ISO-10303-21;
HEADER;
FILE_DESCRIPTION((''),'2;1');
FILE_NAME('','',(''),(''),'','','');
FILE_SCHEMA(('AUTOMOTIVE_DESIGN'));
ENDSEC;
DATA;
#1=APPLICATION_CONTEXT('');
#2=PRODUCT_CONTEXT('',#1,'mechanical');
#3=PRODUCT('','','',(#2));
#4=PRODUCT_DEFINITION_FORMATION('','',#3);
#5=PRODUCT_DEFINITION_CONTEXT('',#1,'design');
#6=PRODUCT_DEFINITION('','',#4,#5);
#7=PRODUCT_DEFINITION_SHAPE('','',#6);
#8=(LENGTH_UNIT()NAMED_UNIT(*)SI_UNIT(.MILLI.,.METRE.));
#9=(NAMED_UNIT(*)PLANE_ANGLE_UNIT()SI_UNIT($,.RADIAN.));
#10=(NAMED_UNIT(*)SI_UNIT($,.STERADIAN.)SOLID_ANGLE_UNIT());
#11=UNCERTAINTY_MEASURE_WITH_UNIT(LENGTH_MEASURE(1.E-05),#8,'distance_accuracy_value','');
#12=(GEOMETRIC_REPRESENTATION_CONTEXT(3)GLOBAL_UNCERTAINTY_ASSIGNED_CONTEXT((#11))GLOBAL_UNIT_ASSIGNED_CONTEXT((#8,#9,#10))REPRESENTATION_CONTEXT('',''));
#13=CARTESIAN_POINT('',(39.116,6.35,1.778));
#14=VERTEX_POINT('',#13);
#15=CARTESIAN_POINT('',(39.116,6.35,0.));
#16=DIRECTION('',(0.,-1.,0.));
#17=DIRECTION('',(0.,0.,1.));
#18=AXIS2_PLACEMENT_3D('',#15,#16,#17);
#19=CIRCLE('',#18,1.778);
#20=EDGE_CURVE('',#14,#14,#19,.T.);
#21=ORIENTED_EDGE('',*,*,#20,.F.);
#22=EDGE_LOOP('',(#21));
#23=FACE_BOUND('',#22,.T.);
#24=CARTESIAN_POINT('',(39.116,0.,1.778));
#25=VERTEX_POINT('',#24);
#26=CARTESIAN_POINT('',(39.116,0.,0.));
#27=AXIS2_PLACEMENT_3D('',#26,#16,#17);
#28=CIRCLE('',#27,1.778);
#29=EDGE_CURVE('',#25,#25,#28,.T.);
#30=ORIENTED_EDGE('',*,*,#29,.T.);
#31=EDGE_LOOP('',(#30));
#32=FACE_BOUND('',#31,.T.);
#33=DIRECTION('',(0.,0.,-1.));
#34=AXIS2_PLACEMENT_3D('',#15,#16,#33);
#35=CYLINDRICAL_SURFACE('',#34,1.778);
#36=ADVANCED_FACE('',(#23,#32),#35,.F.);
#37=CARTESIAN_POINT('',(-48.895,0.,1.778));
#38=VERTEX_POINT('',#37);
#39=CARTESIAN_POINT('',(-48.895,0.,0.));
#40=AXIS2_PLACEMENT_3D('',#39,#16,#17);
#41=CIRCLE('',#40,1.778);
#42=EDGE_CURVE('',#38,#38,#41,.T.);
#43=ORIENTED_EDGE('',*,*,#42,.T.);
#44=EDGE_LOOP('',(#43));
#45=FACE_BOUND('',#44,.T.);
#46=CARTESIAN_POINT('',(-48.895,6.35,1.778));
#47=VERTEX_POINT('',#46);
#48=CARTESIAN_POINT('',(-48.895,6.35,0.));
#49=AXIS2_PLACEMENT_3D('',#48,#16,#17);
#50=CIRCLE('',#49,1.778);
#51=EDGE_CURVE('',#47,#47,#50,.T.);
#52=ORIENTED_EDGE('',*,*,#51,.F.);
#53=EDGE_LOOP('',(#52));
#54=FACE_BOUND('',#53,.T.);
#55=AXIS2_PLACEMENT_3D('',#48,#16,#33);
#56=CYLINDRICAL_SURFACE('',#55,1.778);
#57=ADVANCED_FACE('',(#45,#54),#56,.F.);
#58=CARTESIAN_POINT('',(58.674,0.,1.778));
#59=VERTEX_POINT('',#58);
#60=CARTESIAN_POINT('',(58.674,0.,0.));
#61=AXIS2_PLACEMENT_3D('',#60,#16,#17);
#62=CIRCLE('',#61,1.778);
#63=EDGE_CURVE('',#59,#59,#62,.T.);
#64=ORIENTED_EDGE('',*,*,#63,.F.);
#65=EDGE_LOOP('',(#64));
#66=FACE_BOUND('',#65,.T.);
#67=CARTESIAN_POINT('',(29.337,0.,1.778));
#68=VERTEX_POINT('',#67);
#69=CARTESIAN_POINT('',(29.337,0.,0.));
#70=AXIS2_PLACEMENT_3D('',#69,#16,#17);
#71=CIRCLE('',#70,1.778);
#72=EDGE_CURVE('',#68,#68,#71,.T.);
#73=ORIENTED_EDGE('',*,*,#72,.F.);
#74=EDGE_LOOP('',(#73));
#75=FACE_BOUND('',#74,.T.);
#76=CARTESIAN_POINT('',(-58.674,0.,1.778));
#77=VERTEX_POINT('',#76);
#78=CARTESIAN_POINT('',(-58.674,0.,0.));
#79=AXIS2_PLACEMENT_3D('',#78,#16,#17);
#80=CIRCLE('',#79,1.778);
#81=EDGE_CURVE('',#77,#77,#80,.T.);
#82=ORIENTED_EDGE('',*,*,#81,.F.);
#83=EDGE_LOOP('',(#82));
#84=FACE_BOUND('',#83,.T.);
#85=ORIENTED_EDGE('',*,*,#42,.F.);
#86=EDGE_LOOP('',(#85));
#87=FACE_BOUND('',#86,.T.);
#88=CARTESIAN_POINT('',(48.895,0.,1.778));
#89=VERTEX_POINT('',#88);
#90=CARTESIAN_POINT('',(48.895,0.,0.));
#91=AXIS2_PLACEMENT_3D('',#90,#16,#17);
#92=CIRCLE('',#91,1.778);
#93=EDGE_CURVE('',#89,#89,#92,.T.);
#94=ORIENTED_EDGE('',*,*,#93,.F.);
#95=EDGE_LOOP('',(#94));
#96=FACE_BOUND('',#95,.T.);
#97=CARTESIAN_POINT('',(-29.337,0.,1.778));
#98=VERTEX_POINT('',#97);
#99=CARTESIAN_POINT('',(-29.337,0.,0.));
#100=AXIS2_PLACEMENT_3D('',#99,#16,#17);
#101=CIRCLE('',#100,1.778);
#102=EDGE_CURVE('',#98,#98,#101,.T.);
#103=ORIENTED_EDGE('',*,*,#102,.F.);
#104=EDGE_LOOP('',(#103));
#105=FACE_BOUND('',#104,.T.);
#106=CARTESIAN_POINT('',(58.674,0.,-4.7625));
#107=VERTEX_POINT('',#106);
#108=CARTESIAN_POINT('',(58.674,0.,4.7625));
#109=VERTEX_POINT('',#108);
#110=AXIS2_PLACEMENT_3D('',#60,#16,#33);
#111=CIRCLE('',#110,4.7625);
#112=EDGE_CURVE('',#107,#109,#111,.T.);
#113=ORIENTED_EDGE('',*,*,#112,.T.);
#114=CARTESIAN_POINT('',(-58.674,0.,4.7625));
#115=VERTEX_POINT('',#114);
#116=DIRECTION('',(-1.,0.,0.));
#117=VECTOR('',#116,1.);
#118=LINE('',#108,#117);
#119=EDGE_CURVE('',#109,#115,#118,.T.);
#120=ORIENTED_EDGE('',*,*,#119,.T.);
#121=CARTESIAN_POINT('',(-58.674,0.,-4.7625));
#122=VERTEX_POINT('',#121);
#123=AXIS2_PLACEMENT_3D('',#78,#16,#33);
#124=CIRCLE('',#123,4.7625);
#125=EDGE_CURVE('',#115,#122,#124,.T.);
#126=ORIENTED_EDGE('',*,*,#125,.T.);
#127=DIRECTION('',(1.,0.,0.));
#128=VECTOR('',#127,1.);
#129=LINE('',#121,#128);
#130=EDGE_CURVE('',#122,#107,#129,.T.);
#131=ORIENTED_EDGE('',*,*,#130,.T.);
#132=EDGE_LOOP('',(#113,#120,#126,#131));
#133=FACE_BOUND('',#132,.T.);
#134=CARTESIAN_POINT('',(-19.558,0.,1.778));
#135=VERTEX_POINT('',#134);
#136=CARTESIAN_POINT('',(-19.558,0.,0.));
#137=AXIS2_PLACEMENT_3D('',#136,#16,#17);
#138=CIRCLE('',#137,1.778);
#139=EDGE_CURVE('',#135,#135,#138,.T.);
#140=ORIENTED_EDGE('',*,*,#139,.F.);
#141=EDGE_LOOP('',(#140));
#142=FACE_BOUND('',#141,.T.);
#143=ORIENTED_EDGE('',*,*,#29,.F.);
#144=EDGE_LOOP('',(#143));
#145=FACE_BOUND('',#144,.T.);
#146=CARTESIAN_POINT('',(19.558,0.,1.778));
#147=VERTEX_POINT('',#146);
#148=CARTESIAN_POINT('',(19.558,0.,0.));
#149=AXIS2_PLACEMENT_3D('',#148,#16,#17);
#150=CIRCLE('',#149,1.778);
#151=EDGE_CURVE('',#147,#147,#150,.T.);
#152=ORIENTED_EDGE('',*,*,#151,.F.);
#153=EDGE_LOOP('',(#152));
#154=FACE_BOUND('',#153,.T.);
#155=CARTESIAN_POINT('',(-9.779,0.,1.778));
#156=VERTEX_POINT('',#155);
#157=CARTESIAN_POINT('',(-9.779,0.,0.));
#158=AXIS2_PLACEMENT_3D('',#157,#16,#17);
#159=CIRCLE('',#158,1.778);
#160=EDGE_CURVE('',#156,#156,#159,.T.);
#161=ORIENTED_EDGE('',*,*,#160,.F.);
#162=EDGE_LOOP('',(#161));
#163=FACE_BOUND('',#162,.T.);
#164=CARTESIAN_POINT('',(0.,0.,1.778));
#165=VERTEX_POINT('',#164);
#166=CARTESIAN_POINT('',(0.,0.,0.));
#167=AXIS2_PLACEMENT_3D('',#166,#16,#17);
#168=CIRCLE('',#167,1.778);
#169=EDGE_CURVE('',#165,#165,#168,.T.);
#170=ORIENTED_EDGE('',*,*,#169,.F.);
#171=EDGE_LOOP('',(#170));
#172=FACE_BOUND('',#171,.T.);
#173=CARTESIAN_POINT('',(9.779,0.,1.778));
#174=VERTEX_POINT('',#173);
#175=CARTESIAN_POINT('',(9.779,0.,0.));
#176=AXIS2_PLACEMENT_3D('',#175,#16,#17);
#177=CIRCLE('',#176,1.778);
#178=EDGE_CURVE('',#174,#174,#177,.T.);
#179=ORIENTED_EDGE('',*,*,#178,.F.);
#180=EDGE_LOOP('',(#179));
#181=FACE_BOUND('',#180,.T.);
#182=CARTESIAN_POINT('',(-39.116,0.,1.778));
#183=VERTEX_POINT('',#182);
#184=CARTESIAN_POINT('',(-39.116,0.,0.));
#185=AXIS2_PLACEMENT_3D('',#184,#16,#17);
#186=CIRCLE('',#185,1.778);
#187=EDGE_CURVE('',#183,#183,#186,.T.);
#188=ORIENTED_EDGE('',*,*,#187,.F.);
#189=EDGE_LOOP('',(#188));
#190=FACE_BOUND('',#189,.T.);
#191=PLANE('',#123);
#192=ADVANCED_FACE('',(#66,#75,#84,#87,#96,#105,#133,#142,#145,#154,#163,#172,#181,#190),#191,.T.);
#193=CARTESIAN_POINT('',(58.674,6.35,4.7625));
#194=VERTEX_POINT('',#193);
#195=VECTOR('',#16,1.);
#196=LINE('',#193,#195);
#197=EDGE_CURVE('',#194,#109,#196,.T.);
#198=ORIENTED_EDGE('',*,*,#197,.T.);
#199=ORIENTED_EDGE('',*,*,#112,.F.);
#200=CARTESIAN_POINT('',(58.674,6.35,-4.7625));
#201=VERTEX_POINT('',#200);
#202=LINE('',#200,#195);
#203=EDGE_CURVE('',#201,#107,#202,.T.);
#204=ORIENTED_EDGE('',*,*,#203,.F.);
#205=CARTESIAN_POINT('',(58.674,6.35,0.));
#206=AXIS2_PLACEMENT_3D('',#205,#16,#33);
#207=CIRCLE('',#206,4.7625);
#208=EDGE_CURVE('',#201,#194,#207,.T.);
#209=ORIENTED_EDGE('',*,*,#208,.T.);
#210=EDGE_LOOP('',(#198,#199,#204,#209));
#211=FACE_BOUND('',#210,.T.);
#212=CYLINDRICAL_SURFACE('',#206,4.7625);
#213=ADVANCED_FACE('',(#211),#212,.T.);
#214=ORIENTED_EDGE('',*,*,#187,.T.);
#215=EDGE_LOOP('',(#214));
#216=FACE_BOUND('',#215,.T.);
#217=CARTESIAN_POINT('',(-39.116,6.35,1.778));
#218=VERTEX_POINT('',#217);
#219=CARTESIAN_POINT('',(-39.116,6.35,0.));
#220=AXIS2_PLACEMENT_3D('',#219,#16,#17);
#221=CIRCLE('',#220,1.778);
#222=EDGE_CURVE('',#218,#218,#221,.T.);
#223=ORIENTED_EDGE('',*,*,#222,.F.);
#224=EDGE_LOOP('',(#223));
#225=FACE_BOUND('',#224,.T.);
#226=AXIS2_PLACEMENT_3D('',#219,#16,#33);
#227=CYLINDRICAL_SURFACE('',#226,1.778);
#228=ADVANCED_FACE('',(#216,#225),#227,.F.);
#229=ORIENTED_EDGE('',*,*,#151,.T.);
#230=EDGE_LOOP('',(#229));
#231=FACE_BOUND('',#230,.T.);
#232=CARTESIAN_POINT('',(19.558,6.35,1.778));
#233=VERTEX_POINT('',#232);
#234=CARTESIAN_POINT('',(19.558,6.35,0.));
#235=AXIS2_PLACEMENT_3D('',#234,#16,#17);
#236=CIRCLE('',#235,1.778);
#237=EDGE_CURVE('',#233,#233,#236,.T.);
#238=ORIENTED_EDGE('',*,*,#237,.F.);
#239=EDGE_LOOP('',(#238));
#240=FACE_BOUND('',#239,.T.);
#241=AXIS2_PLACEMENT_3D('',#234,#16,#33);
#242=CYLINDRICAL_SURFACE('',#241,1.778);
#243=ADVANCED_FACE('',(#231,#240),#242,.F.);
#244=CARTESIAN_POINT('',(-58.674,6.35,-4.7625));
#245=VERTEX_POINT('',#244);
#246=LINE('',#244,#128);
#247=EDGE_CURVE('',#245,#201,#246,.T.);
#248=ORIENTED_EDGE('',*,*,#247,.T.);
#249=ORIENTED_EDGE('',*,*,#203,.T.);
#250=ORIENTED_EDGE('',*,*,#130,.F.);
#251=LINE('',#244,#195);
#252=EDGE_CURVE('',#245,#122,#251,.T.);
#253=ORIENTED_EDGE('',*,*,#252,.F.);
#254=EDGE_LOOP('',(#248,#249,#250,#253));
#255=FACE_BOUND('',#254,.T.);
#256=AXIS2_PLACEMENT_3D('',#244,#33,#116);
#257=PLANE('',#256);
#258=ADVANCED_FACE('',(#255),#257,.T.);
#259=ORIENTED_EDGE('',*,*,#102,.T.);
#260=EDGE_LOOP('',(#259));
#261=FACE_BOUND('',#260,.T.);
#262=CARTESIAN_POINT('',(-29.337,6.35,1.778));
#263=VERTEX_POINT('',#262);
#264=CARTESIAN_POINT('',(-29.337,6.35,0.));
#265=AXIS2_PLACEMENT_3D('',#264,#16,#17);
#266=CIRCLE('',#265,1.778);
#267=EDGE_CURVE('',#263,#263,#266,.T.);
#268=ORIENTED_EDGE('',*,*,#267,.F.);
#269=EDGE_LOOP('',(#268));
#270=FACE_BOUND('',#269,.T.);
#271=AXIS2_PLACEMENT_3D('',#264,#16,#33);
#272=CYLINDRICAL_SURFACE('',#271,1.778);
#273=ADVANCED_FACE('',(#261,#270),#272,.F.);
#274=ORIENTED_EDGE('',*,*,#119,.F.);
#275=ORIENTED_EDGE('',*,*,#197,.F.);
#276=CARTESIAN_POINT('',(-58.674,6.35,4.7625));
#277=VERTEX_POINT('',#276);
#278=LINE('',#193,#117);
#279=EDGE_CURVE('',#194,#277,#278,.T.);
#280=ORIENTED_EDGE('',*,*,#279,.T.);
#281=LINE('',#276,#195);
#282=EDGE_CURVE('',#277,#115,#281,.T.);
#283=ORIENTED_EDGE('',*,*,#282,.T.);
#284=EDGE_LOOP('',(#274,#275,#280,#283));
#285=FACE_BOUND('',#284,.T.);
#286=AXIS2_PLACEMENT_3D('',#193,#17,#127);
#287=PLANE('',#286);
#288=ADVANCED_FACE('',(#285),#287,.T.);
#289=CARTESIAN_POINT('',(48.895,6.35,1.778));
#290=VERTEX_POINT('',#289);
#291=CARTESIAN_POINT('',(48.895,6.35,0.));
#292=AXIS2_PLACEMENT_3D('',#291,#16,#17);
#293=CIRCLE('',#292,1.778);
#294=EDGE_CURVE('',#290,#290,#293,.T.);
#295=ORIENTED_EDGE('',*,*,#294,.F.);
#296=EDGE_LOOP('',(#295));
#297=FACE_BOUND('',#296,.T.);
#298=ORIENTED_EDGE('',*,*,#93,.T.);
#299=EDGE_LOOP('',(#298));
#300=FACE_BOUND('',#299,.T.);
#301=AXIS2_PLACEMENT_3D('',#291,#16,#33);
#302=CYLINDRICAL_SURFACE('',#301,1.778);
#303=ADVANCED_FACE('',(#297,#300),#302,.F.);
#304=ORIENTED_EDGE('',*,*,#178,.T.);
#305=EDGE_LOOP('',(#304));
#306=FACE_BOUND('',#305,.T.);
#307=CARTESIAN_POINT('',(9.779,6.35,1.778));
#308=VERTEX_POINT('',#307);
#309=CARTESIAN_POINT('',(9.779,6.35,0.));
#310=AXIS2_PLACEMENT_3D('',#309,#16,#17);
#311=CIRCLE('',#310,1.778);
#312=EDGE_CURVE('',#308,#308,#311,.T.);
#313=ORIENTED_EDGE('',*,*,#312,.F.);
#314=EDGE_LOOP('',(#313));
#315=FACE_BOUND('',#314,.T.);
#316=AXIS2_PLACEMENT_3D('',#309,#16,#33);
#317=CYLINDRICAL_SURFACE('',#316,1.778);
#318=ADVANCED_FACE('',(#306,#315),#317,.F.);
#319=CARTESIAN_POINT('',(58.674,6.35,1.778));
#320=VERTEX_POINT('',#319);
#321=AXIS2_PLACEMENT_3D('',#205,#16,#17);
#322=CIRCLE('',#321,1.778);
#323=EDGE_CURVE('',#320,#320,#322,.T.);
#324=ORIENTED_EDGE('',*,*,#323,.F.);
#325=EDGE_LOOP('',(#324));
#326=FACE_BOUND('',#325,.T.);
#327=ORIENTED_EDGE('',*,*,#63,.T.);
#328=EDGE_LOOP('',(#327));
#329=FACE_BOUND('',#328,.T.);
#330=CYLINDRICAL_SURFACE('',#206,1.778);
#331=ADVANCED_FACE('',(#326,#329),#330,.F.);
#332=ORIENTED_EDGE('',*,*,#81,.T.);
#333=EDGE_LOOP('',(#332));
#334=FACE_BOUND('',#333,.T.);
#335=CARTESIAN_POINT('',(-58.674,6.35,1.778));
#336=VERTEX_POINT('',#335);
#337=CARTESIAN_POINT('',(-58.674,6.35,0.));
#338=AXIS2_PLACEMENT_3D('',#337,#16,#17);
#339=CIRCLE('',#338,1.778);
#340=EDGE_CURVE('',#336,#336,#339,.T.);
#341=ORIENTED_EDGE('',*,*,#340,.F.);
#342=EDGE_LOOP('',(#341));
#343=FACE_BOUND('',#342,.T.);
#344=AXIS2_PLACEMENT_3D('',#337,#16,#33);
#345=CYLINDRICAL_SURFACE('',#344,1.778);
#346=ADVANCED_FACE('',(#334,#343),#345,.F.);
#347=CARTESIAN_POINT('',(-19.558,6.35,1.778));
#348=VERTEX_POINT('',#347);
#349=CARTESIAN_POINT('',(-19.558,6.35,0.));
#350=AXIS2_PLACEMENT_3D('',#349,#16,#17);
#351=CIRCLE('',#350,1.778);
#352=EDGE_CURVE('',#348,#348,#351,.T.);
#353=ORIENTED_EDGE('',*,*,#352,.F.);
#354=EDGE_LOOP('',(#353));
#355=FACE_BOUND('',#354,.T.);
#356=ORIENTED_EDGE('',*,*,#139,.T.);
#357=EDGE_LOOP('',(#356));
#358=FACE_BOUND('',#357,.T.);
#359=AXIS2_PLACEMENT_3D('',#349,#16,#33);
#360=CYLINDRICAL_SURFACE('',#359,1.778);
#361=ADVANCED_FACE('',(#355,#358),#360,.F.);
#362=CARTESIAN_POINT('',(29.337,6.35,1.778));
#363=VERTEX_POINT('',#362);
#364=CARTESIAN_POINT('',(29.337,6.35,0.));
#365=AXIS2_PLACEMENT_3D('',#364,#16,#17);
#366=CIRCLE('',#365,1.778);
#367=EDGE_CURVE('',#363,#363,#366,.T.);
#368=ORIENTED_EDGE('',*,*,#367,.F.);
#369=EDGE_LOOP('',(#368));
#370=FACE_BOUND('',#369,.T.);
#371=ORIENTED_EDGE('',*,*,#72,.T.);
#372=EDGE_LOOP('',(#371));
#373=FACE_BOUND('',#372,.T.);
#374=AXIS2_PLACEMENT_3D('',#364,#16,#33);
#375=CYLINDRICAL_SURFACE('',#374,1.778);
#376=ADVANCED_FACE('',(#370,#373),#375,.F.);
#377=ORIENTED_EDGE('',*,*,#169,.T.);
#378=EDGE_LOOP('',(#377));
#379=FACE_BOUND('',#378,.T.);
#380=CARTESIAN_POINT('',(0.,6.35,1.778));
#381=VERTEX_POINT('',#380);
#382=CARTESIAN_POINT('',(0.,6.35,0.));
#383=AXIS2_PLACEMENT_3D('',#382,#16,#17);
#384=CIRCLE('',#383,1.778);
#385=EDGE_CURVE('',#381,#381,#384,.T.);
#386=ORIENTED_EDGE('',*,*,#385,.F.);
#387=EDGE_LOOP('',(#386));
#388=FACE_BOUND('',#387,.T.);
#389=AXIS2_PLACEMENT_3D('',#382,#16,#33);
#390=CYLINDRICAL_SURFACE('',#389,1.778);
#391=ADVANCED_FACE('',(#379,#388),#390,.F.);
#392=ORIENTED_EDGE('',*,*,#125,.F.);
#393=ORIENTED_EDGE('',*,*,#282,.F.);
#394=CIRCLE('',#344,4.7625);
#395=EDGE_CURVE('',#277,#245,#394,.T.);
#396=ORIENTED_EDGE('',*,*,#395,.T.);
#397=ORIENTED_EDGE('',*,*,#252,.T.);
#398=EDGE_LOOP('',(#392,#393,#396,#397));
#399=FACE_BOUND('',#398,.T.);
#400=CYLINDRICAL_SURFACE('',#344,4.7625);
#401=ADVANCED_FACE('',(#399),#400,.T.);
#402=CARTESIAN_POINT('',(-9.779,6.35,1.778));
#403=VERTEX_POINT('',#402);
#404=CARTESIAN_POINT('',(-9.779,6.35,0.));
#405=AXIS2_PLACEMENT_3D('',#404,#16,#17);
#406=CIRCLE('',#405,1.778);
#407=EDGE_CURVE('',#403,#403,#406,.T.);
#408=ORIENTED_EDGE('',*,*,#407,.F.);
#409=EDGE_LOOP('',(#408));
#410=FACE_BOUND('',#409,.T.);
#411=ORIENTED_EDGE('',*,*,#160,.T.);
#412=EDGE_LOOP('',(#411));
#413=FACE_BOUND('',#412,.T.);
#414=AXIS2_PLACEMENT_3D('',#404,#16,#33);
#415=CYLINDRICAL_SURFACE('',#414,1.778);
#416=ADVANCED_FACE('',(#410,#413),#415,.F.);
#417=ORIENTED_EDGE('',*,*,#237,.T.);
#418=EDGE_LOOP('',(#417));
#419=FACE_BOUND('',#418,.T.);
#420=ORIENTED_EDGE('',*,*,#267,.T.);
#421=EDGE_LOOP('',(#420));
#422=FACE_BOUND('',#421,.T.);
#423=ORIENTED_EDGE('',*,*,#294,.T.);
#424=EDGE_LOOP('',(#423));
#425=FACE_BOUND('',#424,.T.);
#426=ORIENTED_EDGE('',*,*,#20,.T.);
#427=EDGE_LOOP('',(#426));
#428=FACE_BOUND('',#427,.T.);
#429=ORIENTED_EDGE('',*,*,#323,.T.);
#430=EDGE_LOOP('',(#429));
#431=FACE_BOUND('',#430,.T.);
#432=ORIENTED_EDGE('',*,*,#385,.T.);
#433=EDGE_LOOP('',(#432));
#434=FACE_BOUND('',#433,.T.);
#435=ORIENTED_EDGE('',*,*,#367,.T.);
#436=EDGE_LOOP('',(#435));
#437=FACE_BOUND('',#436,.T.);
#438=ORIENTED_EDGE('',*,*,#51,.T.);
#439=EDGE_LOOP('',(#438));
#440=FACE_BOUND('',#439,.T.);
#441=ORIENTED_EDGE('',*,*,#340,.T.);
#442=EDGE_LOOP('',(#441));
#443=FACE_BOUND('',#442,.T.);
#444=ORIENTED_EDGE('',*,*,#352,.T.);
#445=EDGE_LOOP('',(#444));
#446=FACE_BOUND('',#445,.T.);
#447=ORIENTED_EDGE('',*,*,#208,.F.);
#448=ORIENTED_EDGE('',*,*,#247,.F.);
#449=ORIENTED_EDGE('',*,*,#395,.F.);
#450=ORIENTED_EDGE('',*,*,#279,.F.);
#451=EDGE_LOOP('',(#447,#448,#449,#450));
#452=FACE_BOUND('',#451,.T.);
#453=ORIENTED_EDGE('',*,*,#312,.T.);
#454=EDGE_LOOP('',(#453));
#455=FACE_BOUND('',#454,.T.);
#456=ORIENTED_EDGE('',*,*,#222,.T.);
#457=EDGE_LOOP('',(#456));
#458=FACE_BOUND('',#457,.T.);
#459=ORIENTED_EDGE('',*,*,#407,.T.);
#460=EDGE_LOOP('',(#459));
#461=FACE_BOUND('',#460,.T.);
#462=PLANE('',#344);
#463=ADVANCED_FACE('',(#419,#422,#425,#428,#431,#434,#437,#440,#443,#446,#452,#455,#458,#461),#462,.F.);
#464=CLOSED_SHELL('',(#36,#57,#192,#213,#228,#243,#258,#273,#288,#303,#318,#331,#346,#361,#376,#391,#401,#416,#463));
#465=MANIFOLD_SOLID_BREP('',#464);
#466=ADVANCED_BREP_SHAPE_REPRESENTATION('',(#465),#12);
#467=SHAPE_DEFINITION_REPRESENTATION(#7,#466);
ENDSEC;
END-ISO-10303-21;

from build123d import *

# Parameters (mm, degrees)
SKETCH1_R           = 1.778
BOSS_EXTRUDE1_DEPTH = 6.35


with BuildPart() as part:
    # Sketch1 → Boss-Extrude1 (new body)
    with BuildSketch(Plane.XZ):
        with BuildLine():
            Line((-58.674, -4.7625), (58.674, -4.7625))
            ThreePointArc((58.674, -4.7625), (63.4365, 0), (58.674, 4.7625))
            Line((58.674, 4.7625), (-58.674, 4.7625))
            ThreePointArc((-58.674, 4.7625), (-63.4365, 0), (-58.674, -4.7625))
        make_face()
        with Locations((58.674, 0)):
            Circle(SKETCH1_R, mode=Mode.SUBTRACT)
        with Locations((48.895, 0)):
            Circle(SKETCH1_R, mode=Mode.SUBTRACT)
        with Locations((39.116, 0)):
            Circle(SKETCH1_R, mode=Mode.SUBTRACT)
        with Locations((29.337, 0)):
            Circle(SKETCH1_R, mode=Mode.SUBTRACT)
        with Locations((19.558, 0)):
            Circle(SKETCH1_R, mode=Mode.SUBTRACT)
        with Locations((9.779, 0)):
            Circle(SKETCH1_R, mode=Mode.SUBTRACT)
        Circle(SKETCH1_R, mode=Mode.SUBTRACT)
        with Locations((-9.779, 0)):
            Circle(SKETCH1_R, mode=Mode.SUBTRACT)
        with Locations((-19.558, 0)):
            Circle(SKETCH1_R, mode=Mode.SUBTRACT)
        with Locations((-29.337, 0)):
            Circle(SKETCH1_R, mode=Mode.SUBTRACT)
        with Locations((-39.116, 0)):
            Circle(SKETCH1_R, mode=Mode.SUBTRACT)
        with Locations((-48.895, 0)):
            Circle(SKETCH1_R, mode=Mode.SUBTRACT)
        with Locations((-58.674, 0)):
            Circle(SKETCH1_R, mode=Mode.SUBTRACT)
    extrude(amount=-BOSS_EXTRUDE1_DEPTH)


solid = part.part
